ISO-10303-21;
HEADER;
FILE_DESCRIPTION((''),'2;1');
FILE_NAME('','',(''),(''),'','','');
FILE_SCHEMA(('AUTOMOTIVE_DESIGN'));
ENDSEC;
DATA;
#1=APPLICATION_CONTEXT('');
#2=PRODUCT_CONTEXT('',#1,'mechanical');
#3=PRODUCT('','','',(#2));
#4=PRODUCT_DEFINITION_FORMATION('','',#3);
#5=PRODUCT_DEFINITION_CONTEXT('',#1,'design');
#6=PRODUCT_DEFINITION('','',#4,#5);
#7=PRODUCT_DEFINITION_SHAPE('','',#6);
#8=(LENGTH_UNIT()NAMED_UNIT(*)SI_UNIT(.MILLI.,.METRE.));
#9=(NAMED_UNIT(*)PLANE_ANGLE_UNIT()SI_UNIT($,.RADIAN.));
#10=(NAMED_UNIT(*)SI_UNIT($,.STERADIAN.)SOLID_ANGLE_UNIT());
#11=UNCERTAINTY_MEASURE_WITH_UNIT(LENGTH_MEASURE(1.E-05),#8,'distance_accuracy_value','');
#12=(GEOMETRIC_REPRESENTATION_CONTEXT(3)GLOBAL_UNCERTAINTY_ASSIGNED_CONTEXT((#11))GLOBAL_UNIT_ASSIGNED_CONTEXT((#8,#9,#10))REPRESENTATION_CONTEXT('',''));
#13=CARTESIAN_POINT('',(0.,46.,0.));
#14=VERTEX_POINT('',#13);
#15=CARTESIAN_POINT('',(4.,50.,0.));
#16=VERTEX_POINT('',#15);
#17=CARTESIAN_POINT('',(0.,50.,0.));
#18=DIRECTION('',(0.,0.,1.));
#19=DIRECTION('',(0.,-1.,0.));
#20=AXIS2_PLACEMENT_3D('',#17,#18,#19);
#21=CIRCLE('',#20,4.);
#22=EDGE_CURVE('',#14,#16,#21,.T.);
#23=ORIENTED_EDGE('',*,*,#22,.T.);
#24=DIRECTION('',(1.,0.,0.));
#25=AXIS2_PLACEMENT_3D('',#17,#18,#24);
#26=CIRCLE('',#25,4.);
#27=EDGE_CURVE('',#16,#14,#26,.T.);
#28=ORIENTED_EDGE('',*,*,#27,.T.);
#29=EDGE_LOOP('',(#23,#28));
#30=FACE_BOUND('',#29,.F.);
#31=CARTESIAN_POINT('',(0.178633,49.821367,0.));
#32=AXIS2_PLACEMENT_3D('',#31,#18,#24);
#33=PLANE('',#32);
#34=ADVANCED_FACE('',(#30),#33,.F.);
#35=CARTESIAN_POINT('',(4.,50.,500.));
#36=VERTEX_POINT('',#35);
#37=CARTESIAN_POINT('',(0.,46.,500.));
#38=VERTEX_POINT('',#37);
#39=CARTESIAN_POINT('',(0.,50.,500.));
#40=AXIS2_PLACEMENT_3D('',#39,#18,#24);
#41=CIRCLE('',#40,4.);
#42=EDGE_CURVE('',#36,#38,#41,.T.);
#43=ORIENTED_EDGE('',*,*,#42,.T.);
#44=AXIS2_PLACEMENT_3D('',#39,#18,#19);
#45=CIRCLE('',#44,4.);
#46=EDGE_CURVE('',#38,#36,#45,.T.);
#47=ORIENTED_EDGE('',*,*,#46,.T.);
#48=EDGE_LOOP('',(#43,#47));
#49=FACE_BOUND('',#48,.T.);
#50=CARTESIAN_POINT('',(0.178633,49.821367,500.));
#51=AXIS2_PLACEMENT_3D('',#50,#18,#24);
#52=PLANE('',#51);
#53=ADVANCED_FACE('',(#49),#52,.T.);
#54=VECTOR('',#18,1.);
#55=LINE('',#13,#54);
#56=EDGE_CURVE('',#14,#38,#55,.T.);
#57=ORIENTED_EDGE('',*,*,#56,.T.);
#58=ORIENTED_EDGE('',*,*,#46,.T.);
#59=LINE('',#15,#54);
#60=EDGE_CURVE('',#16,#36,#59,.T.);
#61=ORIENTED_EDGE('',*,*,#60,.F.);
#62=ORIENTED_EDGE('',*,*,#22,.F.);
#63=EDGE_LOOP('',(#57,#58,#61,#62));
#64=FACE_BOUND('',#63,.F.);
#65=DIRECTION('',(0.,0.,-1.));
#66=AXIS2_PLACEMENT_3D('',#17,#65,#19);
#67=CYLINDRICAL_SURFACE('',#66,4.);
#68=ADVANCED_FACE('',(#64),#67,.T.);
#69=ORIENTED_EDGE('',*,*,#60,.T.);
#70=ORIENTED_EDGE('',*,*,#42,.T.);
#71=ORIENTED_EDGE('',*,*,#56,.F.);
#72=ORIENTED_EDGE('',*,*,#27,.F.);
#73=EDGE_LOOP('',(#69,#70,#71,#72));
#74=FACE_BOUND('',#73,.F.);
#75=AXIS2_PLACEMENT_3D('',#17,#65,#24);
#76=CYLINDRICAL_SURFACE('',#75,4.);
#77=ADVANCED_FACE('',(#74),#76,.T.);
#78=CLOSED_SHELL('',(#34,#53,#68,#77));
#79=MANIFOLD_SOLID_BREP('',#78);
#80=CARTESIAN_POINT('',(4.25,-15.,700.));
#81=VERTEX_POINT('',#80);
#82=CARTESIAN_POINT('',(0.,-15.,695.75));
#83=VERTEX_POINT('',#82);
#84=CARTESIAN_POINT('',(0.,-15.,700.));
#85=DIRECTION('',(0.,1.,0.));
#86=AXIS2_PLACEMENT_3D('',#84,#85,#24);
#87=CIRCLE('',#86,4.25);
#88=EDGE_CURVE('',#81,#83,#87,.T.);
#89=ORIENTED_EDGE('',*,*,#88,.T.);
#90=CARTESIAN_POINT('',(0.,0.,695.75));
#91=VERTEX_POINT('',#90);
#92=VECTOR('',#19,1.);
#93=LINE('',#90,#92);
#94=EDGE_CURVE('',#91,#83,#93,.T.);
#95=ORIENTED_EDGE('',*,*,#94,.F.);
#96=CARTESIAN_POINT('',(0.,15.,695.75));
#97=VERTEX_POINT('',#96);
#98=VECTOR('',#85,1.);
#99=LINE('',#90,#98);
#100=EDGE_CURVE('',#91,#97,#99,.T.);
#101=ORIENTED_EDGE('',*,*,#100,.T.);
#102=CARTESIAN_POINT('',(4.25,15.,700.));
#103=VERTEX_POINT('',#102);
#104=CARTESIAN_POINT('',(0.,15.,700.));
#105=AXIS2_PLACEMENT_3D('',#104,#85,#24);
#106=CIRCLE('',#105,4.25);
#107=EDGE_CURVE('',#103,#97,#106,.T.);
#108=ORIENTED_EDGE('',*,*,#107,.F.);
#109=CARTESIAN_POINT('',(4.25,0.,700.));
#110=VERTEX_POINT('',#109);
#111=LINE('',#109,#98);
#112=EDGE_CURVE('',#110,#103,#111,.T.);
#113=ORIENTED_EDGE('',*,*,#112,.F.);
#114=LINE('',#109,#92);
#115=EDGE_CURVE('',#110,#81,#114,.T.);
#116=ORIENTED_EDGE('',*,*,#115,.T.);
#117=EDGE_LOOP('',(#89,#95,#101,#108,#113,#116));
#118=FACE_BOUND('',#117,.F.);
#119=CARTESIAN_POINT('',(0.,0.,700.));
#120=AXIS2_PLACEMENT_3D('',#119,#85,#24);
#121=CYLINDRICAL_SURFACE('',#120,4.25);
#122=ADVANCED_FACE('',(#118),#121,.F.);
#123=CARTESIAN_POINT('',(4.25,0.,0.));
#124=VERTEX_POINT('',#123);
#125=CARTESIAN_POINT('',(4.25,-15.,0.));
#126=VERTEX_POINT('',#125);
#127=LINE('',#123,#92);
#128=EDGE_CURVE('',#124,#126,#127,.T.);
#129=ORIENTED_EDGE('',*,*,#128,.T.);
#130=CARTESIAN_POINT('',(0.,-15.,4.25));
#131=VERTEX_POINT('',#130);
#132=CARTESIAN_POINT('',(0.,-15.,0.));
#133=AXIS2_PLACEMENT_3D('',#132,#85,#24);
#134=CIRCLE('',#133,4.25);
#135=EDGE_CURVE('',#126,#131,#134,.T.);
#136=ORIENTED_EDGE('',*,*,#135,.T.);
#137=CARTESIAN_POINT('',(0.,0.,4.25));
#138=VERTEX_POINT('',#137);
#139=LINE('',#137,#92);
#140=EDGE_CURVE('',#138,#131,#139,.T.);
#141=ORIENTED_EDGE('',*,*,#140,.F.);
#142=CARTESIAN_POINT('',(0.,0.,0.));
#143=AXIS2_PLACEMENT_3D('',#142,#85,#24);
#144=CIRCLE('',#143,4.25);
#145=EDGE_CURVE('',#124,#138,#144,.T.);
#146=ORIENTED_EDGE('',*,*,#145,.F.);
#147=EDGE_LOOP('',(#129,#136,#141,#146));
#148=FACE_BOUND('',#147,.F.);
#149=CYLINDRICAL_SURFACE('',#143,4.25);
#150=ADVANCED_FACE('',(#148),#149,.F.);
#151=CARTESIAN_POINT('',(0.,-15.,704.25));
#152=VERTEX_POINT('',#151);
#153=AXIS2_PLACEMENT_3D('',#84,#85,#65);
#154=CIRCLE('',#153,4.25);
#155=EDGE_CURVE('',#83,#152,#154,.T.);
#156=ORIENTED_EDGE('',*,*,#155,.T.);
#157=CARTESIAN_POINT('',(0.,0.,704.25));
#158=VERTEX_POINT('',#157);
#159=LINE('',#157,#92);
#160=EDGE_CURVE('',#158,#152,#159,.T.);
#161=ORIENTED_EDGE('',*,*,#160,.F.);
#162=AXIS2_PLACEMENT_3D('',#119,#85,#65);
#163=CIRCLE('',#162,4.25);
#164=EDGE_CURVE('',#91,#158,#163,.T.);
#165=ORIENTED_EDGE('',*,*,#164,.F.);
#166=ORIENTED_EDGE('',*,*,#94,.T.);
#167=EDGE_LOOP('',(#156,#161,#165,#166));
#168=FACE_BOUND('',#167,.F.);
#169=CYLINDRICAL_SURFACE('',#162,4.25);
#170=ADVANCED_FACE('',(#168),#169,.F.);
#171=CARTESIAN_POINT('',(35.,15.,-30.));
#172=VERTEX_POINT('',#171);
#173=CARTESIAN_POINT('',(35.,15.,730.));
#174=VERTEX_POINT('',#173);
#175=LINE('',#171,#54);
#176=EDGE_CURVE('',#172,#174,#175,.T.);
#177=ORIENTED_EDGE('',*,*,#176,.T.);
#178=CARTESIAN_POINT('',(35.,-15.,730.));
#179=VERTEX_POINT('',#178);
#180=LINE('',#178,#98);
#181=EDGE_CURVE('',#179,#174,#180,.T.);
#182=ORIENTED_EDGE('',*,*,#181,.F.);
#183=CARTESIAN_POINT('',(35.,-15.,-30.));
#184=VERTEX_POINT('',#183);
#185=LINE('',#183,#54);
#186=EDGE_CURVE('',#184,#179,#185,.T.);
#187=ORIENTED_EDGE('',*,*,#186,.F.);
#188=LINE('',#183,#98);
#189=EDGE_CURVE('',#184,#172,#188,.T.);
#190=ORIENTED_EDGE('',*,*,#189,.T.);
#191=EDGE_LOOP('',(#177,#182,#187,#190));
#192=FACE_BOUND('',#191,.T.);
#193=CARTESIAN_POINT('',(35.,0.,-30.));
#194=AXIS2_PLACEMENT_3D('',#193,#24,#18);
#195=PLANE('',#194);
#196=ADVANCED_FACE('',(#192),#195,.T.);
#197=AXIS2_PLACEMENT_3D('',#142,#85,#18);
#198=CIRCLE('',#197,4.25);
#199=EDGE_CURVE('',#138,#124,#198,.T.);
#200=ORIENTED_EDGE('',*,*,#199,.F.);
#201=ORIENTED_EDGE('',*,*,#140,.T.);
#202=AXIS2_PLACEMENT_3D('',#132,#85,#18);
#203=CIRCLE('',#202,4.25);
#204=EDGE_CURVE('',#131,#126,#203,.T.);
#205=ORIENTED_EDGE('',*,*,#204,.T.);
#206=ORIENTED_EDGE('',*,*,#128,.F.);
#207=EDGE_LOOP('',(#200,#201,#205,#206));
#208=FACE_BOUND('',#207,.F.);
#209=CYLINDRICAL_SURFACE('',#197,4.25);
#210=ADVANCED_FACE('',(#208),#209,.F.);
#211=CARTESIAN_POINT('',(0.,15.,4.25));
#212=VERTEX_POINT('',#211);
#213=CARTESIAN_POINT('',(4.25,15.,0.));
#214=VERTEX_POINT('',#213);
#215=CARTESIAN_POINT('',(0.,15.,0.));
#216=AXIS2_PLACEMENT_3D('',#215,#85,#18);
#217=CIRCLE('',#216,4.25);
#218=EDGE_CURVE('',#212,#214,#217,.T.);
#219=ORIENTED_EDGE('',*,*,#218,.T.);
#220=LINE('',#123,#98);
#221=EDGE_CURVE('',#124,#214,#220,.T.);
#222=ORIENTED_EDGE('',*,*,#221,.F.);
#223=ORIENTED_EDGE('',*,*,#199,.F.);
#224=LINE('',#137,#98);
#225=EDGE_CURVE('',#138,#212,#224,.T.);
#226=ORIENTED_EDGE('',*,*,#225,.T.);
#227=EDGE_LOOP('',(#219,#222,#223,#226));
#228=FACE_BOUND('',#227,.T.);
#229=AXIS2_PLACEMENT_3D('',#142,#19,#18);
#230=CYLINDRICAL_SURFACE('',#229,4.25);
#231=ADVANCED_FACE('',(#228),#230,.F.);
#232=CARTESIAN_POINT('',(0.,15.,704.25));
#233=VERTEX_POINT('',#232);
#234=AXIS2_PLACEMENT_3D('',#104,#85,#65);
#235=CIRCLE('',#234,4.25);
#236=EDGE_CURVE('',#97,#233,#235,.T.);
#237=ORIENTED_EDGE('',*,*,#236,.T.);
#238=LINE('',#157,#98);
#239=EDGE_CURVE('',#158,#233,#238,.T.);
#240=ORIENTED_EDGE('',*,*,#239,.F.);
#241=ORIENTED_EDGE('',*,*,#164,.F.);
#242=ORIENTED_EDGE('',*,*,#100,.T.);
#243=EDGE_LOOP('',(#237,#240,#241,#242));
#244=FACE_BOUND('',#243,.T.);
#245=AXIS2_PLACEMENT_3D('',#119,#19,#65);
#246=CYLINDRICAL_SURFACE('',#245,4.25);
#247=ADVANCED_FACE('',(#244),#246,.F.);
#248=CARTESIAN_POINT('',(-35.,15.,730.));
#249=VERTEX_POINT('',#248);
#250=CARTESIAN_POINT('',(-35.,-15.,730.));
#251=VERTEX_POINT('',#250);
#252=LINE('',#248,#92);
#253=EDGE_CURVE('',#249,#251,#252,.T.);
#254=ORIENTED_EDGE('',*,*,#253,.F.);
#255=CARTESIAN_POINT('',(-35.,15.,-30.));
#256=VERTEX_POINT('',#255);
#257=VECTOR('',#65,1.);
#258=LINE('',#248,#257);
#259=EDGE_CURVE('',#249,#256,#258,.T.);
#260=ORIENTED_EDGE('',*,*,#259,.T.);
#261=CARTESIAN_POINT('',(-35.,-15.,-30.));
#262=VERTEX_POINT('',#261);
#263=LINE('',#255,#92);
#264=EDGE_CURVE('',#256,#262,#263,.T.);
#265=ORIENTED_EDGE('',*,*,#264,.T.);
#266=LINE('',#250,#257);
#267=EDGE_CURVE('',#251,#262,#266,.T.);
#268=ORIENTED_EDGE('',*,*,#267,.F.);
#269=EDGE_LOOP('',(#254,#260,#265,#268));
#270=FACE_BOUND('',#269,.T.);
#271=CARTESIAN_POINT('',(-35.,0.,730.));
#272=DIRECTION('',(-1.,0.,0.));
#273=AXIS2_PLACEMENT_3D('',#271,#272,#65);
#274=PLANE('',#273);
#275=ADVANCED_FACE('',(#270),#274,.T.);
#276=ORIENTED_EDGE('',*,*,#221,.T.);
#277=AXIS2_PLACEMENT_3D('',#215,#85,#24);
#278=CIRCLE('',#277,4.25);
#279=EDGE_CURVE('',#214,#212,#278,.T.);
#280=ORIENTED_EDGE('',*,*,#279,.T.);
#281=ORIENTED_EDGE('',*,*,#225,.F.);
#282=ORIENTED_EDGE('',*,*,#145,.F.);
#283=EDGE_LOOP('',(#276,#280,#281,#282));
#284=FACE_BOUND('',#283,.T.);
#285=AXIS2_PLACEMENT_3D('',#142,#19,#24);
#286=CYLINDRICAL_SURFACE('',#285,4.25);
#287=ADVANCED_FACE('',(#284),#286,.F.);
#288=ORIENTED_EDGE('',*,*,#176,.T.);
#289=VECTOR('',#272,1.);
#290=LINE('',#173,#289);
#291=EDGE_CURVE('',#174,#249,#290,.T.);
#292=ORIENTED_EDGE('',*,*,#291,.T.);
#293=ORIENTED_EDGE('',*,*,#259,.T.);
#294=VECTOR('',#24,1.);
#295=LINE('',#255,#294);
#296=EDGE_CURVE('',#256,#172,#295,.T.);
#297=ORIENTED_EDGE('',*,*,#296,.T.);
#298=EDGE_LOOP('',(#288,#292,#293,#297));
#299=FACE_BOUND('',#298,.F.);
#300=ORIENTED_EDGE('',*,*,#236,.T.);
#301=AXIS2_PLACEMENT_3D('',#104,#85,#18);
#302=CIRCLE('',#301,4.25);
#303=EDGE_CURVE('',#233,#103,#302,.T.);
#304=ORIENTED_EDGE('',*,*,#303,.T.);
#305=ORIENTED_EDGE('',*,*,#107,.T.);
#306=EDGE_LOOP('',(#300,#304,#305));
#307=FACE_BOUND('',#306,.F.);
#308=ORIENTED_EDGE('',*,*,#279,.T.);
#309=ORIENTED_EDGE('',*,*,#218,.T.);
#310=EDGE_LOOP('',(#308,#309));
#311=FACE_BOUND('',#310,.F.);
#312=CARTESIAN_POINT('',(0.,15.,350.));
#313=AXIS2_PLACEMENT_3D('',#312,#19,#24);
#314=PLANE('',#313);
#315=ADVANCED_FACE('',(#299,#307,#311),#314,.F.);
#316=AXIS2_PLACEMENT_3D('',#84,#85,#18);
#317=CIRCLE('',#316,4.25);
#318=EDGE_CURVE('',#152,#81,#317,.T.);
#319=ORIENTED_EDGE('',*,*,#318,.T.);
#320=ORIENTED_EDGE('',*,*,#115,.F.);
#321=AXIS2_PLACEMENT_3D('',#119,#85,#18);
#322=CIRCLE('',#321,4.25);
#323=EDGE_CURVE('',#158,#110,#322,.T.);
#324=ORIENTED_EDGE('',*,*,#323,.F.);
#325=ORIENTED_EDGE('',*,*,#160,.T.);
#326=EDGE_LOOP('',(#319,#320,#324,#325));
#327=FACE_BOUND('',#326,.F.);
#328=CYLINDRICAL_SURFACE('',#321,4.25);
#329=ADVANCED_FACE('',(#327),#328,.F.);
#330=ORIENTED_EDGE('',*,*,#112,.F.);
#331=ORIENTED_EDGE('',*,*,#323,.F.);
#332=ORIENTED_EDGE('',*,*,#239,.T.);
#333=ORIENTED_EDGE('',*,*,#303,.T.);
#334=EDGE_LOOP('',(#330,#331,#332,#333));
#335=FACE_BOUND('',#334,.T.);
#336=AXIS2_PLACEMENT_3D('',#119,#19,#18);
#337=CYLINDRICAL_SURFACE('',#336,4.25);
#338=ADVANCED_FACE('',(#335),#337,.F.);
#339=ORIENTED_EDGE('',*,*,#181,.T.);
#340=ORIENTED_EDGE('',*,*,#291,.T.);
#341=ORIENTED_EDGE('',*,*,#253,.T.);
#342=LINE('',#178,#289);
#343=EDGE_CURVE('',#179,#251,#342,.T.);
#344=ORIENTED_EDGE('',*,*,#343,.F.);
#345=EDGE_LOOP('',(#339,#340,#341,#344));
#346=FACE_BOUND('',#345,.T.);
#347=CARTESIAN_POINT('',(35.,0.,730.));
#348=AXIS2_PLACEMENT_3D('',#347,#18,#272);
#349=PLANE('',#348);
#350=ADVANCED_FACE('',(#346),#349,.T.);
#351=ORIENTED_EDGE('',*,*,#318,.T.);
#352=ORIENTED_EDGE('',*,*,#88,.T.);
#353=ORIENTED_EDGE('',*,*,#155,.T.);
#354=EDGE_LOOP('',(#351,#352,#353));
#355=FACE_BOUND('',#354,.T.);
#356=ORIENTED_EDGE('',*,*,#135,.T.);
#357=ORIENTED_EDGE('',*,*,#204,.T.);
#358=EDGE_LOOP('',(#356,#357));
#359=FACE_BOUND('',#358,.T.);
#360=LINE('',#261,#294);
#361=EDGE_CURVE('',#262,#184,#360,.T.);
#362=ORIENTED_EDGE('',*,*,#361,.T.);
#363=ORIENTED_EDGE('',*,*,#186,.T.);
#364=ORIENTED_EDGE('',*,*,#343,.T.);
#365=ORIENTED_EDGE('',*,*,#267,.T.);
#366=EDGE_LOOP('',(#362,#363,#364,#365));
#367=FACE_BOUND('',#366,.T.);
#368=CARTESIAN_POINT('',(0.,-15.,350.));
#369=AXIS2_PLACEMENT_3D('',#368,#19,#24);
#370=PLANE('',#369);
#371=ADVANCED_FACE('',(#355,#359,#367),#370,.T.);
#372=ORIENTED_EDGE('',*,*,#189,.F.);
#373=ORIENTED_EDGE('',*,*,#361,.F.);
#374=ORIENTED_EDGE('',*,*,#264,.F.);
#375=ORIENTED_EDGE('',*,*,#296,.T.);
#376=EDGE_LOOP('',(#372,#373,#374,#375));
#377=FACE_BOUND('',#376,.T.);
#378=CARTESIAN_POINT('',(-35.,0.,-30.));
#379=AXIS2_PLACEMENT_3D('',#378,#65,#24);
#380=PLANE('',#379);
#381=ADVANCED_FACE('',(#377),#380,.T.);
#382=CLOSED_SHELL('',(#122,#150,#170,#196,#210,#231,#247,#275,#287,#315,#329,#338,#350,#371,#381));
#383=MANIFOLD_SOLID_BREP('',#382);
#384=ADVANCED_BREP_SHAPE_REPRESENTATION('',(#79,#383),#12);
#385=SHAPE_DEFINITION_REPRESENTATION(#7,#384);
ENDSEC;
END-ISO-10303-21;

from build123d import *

# Parameters (mm, degrees)
F1_DEPTH = 15
F3_DEPTH = 500


with BuildPart() as f1:
    # F0 (on Front) → F1 (new body, symmetric)
    with BuildSketch(Plane.XZ):
        Polygon((35, 730), (0, 730), (-35, 730), (-35, 0), (-35, -30), (0, -30), (35, -30), (35, 0), align=None)
        with BuildLine():
            ThreePointArc((4.25, 0), (-3.00520382, -3.00520382), (0, 4.25))
            ThreePointArc((0, 4.25), (3.00520382, 3.00520382), (4.25, 0))
        make_face(mode=Mode.SUBTRACT)
        with BuildLine():
            ThreePointArc((4.25, 700), (3.00520382, 696.99479618), (0, 695.75))
            ThreePointArc((0, 695.75), (-4.25, 700), (0, 704.25))
            ThreePointArc((0, 704.25), (3.00520382, 703.00520382), (4.25, 700))
        make_face(mode=Mode.SUBTRACT)
    extrude(amount=F1_DEPTH, both=True)


with BuildPart() as f3:
    # F2 (on Top) → F3 (new body)
    with BuildSketch(Plane.XY):
        with BuildLine():
            ThreePointArc((0, 46), (2.8284271247, 47.1715728753), (4, 50))
            ThreePointArc((4, 50), (-2.8284271247, 52.8284271247), (0, 46))
        make_face()
    extrude(amount=F3_DEPTH)


solid = Compound([f1.part, f3.part])
